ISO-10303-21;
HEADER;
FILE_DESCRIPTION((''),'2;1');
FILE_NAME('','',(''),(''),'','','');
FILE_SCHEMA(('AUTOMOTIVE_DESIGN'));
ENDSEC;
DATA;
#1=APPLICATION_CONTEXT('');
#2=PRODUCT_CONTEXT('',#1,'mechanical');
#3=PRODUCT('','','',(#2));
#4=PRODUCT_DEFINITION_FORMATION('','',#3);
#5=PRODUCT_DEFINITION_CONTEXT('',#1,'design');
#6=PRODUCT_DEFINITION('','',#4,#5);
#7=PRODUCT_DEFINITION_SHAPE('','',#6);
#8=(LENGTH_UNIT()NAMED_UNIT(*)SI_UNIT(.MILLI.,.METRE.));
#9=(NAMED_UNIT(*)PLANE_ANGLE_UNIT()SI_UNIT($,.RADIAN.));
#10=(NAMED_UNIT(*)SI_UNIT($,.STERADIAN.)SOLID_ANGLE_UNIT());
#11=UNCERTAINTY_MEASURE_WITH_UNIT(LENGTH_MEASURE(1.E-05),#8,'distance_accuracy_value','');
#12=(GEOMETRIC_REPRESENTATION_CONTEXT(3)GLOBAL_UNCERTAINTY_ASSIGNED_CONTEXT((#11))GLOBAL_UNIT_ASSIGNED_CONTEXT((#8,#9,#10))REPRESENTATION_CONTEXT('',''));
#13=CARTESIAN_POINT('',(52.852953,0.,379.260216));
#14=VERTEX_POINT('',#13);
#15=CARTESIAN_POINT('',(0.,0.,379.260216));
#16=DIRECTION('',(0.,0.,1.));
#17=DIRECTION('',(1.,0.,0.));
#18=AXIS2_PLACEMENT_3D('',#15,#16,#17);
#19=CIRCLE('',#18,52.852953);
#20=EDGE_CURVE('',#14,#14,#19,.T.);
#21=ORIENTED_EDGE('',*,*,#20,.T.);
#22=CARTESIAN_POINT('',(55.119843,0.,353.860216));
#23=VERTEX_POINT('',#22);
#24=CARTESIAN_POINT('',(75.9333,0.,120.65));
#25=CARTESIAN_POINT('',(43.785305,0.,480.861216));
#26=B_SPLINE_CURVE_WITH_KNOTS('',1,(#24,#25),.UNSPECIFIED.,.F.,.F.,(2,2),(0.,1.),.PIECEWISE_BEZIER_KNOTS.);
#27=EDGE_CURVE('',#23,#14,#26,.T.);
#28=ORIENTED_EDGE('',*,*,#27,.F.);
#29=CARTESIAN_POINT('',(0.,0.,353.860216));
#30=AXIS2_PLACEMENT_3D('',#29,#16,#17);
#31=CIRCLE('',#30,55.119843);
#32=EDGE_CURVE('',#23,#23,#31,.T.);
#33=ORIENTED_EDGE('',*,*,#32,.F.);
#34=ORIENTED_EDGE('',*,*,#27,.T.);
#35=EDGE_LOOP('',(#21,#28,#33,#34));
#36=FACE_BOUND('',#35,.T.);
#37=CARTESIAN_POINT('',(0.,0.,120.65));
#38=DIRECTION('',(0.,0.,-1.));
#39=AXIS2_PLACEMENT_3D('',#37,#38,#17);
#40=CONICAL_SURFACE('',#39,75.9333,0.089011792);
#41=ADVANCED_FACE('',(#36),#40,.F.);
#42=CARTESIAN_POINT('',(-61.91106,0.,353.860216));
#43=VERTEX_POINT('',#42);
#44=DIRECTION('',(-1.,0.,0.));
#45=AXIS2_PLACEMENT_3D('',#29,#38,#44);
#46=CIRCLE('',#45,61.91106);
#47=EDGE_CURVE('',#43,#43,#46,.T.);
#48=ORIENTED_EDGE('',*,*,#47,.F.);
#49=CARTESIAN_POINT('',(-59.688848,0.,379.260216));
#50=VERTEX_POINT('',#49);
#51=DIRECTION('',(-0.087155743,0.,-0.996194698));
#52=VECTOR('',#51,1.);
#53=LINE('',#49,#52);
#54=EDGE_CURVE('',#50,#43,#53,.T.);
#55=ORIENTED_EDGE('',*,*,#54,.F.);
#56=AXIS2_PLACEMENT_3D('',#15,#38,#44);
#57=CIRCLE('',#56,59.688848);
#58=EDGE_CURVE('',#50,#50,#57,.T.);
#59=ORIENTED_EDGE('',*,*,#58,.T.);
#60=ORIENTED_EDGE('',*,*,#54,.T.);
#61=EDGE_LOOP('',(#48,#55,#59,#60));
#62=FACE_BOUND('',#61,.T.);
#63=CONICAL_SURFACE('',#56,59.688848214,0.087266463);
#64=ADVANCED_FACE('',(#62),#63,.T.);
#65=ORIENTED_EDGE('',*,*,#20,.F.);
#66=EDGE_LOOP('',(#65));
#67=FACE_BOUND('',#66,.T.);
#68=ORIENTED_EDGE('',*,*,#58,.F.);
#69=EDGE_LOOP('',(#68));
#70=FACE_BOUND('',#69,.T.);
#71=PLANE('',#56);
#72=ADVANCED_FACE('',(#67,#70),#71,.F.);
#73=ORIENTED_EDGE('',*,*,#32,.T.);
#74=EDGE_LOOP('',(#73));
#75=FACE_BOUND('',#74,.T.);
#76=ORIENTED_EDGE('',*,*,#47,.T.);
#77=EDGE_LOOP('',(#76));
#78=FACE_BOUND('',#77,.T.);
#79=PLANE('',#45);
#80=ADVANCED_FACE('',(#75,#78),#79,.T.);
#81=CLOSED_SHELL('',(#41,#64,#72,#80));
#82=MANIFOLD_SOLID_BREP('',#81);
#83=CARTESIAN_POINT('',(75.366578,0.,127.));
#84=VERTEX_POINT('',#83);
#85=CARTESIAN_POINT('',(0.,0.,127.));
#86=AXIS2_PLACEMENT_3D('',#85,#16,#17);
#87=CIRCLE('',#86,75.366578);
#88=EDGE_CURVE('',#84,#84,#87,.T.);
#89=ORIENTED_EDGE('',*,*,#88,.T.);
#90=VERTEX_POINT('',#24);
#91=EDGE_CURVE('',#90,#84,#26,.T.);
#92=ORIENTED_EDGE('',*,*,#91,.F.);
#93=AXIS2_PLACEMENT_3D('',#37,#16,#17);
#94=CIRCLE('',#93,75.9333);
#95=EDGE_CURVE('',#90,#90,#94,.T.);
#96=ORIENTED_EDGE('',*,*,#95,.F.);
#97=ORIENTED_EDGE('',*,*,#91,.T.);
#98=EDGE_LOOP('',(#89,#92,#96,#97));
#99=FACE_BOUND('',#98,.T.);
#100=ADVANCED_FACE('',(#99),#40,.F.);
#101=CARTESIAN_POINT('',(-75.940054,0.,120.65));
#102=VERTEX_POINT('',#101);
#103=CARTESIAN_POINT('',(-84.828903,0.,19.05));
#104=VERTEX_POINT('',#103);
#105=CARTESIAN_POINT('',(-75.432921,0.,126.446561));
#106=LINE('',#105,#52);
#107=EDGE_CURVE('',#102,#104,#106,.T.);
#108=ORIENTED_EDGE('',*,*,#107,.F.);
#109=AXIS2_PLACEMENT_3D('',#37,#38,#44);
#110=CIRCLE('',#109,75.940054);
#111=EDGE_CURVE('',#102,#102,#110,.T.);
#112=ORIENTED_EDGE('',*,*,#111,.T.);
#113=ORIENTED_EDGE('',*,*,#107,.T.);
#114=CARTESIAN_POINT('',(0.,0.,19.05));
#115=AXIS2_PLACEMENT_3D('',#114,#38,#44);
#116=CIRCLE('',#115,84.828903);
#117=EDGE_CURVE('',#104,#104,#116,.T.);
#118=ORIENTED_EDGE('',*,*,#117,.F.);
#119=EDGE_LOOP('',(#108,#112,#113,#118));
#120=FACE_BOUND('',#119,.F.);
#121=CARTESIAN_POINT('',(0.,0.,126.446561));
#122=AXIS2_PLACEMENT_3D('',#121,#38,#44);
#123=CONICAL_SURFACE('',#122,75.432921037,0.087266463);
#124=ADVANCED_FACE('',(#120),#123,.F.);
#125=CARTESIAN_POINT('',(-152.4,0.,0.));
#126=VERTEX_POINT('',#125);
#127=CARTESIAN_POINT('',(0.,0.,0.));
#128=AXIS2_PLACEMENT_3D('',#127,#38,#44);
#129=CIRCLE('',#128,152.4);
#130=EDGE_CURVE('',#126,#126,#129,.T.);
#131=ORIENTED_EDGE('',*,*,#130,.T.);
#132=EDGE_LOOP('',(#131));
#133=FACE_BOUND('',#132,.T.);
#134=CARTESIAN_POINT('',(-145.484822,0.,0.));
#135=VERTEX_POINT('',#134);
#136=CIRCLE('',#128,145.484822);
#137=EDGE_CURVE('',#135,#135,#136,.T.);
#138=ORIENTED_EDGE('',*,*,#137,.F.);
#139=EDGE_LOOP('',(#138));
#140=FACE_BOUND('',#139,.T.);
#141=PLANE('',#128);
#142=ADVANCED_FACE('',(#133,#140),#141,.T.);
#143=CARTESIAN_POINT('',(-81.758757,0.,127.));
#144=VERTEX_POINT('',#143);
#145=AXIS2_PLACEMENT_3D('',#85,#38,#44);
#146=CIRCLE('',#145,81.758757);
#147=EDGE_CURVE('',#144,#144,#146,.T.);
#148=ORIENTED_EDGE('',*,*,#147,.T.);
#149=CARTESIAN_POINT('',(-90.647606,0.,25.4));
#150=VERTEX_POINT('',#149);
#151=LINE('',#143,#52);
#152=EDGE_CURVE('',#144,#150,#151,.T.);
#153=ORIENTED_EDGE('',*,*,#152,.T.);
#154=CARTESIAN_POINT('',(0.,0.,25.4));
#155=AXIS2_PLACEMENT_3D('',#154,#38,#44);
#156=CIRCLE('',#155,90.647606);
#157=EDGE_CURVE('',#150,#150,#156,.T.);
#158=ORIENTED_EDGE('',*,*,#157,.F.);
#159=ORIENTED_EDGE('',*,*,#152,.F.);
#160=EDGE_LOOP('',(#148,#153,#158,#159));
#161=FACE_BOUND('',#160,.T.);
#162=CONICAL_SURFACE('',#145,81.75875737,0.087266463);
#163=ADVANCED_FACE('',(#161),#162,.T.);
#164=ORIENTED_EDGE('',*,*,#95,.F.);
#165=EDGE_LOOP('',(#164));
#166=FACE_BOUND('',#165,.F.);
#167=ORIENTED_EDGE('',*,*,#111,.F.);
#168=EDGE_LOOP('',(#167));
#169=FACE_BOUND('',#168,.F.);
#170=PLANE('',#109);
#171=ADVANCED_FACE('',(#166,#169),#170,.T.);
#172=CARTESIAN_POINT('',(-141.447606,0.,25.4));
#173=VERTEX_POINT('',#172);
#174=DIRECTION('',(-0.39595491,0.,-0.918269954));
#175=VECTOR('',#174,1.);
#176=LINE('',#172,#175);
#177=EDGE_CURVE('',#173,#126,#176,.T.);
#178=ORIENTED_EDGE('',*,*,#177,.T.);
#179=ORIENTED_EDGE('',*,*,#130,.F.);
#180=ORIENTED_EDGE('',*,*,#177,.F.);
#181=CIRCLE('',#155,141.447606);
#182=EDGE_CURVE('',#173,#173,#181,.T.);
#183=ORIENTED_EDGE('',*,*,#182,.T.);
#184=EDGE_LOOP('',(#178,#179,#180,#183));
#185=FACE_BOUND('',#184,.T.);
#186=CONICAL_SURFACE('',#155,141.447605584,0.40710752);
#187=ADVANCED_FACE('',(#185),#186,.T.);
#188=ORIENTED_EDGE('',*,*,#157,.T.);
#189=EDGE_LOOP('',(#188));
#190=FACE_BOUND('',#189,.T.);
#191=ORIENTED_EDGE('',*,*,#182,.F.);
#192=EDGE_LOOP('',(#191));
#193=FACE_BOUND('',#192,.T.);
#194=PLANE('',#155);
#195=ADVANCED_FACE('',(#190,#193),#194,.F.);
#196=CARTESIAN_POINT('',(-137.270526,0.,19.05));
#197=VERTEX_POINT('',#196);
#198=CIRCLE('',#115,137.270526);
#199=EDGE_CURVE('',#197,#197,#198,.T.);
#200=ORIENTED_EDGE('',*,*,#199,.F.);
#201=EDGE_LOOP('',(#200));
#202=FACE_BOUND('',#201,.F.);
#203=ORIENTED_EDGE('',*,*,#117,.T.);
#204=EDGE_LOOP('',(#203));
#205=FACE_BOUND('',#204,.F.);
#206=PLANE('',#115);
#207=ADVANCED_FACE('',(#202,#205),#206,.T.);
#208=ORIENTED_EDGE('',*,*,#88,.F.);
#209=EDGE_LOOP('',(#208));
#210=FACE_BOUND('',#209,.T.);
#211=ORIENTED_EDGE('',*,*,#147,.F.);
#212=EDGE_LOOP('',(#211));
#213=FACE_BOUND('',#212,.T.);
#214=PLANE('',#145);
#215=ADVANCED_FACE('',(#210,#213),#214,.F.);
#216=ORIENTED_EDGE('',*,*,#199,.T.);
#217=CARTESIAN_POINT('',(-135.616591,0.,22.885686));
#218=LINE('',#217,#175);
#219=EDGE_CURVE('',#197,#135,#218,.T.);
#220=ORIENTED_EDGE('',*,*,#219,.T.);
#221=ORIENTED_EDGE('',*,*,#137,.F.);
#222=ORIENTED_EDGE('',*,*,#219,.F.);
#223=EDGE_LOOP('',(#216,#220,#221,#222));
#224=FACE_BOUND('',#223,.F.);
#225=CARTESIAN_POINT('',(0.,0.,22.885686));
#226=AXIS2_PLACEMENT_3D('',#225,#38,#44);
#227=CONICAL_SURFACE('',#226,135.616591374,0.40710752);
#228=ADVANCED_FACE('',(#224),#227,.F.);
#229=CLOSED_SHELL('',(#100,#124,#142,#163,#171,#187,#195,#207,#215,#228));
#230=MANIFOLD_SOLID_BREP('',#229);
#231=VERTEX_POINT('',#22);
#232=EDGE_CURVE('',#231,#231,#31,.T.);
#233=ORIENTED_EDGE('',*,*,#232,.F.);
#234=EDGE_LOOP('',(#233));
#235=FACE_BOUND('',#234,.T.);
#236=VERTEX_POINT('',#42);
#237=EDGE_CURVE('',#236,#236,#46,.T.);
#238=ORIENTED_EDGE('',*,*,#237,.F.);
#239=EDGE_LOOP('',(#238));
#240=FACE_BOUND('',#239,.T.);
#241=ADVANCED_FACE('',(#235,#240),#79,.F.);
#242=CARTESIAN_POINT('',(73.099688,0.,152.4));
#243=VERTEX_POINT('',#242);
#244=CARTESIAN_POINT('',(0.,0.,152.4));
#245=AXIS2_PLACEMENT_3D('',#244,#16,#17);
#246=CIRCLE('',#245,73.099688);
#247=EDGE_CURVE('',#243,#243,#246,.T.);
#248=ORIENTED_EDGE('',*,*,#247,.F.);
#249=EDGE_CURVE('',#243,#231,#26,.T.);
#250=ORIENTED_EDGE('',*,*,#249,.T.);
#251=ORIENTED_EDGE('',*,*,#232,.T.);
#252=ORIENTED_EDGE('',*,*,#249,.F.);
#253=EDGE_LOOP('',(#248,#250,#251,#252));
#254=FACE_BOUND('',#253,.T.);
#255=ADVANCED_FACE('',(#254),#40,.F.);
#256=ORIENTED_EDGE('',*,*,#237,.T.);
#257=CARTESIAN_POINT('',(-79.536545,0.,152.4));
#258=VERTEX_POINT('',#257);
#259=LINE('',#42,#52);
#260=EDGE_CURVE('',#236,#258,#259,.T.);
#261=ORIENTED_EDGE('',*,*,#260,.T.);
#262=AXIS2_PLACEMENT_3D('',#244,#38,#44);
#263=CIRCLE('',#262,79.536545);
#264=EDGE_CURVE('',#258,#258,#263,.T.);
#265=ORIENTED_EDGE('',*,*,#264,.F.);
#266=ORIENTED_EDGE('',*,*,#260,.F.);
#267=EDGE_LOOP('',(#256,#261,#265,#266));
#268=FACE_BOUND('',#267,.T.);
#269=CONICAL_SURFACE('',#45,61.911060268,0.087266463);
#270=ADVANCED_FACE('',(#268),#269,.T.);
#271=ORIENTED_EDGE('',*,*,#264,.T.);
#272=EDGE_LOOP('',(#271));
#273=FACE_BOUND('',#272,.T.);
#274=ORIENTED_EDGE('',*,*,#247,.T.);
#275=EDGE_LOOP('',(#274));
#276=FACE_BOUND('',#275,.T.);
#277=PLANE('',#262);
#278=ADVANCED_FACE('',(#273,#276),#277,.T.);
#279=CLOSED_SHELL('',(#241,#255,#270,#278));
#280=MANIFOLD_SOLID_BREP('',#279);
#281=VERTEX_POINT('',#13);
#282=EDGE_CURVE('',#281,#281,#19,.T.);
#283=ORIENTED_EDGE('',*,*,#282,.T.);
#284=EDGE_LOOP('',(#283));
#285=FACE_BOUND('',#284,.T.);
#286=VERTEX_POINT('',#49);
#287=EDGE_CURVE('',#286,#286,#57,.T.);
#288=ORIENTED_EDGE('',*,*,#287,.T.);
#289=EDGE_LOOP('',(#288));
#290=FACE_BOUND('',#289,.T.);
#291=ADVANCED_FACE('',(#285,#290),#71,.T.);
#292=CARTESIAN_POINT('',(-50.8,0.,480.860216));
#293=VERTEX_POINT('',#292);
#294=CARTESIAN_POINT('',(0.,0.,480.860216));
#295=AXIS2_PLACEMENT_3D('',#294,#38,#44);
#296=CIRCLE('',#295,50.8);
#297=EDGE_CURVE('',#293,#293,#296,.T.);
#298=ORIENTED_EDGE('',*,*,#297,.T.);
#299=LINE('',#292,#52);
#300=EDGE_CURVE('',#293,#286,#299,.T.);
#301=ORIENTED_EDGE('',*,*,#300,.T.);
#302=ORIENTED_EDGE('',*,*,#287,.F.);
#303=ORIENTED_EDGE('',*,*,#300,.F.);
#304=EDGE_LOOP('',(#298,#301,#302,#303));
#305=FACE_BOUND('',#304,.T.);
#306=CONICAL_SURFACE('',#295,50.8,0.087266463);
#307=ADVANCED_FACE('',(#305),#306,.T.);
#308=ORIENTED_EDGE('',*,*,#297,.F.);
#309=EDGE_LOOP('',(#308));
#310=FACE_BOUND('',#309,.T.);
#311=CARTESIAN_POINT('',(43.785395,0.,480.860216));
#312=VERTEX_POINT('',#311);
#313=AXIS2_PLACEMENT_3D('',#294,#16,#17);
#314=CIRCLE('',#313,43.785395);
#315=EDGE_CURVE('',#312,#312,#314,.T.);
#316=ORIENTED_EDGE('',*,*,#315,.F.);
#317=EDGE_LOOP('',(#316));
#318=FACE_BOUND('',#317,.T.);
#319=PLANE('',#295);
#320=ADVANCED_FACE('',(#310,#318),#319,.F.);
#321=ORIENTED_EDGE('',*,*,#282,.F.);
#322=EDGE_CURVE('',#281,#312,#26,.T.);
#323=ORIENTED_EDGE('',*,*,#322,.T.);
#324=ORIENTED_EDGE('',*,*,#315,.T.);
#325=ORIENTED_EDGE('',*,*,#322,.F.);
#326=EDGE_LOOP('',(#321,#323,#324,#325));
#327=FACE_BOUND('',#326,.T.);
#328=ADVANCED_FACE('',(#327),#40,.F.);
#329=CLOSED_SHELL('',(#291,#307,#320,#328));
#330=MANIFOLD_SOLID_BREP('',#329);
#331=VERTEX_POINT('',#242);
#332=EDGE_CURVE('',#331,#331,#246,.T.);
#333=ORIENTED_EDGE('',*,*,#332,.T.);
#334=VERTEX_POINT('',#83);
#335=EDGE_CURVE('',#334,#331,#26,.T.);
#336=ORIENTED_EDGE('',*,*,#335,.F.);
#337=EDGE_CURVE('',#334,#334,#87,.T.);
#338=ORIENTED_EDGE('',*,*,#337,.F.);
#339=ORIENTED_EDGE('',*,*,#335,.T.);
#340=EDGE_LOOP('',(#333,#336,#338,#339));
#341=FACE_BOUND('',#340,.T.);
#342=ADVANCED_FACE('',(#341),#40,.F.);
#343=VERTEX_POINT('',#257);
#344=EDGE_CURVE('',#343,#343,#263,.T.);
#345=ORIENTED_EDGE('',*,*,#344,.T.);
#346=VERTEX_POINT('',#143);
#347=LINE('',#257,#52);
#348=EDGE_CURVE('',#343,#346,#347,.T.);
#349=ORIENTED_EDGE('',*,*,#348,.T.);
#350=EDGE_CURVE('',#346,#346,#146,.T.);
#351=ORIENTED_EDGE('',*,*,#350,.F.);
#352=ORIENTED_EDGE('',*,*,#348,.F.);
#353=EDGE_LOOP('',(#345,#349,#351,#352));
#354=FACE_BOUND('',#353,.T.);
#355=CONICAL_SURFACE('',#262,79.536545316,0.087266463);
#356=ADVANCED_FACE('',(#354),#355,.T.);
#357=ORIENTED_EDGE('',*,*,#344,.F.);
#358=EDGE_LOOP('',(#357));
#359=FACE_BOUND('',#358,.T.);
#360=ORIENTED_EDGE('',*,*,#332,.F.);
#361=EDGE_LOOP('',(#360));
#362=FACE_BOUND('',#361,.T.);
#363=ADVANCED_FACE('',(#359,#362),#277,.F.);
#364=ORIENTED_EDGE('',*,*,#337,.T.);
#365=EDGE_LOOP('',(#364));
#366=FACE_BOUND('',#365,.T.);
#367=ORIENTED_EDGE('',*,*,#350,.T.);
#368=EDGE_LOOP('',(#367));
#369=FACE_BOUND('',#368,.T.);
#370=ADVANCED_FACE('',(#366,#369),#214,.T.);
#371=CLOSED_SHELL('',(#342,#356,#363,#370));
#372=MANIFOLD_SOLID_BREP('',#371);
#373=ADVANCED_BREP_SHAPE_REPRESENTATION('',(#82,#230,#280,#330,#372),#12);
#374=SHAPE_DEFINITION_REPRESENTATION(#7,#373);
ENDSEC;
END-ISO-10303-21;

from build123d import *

# Parameters (mm, degrees)
F6_T     = -6.35
F7_R     = 75.9333
F8_DEPTH = 360.2112159675
F8_TAPER = 5.1


with BuildPart() as f1:
    # F0 (on Front) → F1 (revolve)
    with BuildSketch(Plane.XZ):
        Polygon((-141.4476055842, 25.4), (-152.4, 0), (0, 0), (0, 127), (-81.75875737, 127), (-90.6476055842, 25.4), align=None)
    revolve(axis=Axis((0, 0, 240.4301079838), (0, 0, -1)))

    # F6
    f6_openings = [f1.faces().sort_by_distance(p)[0] for p in [
        (0, 0, 0),
    ]]
    offset(amount=F6_T, openings=f6_openings, kind=Kind.INTERSECTION)


with BuildPart() as f2:
    # F0 (on Front) → F2 (revolve)
    with BuildSketch(Plane.XZ):
        Polygon((-81.75875737, 127), (0, 127), (0, 152.4), (-79.5365453164, 152.4), align=None)
    revolve(axis=Axis((0, 0, 240.4301079838), (0, 0, -1)))


with BuildPart() as f3:
    # F0 (on Front) → F3 (revolve)
    with BuildSketch(Plane.XZ):
        Polygon((-79.5365453164, 152.4), (0, 152.4), (0, 353.8602159675), (-61.9110602678, 353.8602159675), align=None)
    revolve(axis=Axis((0, 0, 240.4301079838), (0, 0, -1)))


with BuildPart() as f4:
    # F0 (on Front) → F4 (revolve)
    with BuildSketch(Plane.XZ):
        Polygon((-61.9110602678, 353.8602159675), (0, 353.8602159675), (0, 379.2602159675), (-59.6888482142, 379.2602159675), align=None)
    revolve(axis=Axis((0, 0, 240.4301079838), (0, 0, -1)))


with BuildPart() as f5:
    # F0 (on Front) → F5 (revolve)
    with BuildSketch(Plane.XZ):
        Polygon((-59.6888482142, 379.2602159675), (0, 379.2602159675), (0, 480.8602159675), (-50.8, 480.8602159675), align=None)
    revolve(axis=Axis((0, 0, 240.4301079838), (0, 0, -1)))


with BuildPart() as f8_tool:
    # F7 (on face) → F8 (new body, through all)
    with BuildSketch(Plane(origin=(0, 0, 120.65), x_dir=(1, 0, 0), z_dir=(0, 0, -1))):
        Circle(F7_R)
    extrude(amount=-F8_DEPTH, taper=F8_TAPER)


with BuildPart() as f1_1:
    add(f1.part)

    # F8: cut by f8_tool
    add(f8_tool.part, mode=Mode.SUBTRACT)


with BuildPart() as f2_1:
    add(f2.part)

    # F8: cut by f8_tool
    add(f8_tool.part, mode=Mode.SUBTRACT)


with BuildPart() as f3_1:
    add(f3.part)

    # F8: cut by f8_tool
    add(f8_tool.part, mode=Mode.SUBTRACT)


with BuildPart() as f4_1:
    add(f4.part)

    # F8: cut by f8_tool
    add(f8_tool.part, mode=Mode.SUBTRACT)


with BuildPart() as f5_1:
    add(f5.part)

    # F8: cut by f8_tool
    add(f8_tool.part, mode=Mode.SUBTRACT)


solid = Compound([f1_1.part, f2_1.part, f3_1.part, f4_1.part, f5_1.part])
